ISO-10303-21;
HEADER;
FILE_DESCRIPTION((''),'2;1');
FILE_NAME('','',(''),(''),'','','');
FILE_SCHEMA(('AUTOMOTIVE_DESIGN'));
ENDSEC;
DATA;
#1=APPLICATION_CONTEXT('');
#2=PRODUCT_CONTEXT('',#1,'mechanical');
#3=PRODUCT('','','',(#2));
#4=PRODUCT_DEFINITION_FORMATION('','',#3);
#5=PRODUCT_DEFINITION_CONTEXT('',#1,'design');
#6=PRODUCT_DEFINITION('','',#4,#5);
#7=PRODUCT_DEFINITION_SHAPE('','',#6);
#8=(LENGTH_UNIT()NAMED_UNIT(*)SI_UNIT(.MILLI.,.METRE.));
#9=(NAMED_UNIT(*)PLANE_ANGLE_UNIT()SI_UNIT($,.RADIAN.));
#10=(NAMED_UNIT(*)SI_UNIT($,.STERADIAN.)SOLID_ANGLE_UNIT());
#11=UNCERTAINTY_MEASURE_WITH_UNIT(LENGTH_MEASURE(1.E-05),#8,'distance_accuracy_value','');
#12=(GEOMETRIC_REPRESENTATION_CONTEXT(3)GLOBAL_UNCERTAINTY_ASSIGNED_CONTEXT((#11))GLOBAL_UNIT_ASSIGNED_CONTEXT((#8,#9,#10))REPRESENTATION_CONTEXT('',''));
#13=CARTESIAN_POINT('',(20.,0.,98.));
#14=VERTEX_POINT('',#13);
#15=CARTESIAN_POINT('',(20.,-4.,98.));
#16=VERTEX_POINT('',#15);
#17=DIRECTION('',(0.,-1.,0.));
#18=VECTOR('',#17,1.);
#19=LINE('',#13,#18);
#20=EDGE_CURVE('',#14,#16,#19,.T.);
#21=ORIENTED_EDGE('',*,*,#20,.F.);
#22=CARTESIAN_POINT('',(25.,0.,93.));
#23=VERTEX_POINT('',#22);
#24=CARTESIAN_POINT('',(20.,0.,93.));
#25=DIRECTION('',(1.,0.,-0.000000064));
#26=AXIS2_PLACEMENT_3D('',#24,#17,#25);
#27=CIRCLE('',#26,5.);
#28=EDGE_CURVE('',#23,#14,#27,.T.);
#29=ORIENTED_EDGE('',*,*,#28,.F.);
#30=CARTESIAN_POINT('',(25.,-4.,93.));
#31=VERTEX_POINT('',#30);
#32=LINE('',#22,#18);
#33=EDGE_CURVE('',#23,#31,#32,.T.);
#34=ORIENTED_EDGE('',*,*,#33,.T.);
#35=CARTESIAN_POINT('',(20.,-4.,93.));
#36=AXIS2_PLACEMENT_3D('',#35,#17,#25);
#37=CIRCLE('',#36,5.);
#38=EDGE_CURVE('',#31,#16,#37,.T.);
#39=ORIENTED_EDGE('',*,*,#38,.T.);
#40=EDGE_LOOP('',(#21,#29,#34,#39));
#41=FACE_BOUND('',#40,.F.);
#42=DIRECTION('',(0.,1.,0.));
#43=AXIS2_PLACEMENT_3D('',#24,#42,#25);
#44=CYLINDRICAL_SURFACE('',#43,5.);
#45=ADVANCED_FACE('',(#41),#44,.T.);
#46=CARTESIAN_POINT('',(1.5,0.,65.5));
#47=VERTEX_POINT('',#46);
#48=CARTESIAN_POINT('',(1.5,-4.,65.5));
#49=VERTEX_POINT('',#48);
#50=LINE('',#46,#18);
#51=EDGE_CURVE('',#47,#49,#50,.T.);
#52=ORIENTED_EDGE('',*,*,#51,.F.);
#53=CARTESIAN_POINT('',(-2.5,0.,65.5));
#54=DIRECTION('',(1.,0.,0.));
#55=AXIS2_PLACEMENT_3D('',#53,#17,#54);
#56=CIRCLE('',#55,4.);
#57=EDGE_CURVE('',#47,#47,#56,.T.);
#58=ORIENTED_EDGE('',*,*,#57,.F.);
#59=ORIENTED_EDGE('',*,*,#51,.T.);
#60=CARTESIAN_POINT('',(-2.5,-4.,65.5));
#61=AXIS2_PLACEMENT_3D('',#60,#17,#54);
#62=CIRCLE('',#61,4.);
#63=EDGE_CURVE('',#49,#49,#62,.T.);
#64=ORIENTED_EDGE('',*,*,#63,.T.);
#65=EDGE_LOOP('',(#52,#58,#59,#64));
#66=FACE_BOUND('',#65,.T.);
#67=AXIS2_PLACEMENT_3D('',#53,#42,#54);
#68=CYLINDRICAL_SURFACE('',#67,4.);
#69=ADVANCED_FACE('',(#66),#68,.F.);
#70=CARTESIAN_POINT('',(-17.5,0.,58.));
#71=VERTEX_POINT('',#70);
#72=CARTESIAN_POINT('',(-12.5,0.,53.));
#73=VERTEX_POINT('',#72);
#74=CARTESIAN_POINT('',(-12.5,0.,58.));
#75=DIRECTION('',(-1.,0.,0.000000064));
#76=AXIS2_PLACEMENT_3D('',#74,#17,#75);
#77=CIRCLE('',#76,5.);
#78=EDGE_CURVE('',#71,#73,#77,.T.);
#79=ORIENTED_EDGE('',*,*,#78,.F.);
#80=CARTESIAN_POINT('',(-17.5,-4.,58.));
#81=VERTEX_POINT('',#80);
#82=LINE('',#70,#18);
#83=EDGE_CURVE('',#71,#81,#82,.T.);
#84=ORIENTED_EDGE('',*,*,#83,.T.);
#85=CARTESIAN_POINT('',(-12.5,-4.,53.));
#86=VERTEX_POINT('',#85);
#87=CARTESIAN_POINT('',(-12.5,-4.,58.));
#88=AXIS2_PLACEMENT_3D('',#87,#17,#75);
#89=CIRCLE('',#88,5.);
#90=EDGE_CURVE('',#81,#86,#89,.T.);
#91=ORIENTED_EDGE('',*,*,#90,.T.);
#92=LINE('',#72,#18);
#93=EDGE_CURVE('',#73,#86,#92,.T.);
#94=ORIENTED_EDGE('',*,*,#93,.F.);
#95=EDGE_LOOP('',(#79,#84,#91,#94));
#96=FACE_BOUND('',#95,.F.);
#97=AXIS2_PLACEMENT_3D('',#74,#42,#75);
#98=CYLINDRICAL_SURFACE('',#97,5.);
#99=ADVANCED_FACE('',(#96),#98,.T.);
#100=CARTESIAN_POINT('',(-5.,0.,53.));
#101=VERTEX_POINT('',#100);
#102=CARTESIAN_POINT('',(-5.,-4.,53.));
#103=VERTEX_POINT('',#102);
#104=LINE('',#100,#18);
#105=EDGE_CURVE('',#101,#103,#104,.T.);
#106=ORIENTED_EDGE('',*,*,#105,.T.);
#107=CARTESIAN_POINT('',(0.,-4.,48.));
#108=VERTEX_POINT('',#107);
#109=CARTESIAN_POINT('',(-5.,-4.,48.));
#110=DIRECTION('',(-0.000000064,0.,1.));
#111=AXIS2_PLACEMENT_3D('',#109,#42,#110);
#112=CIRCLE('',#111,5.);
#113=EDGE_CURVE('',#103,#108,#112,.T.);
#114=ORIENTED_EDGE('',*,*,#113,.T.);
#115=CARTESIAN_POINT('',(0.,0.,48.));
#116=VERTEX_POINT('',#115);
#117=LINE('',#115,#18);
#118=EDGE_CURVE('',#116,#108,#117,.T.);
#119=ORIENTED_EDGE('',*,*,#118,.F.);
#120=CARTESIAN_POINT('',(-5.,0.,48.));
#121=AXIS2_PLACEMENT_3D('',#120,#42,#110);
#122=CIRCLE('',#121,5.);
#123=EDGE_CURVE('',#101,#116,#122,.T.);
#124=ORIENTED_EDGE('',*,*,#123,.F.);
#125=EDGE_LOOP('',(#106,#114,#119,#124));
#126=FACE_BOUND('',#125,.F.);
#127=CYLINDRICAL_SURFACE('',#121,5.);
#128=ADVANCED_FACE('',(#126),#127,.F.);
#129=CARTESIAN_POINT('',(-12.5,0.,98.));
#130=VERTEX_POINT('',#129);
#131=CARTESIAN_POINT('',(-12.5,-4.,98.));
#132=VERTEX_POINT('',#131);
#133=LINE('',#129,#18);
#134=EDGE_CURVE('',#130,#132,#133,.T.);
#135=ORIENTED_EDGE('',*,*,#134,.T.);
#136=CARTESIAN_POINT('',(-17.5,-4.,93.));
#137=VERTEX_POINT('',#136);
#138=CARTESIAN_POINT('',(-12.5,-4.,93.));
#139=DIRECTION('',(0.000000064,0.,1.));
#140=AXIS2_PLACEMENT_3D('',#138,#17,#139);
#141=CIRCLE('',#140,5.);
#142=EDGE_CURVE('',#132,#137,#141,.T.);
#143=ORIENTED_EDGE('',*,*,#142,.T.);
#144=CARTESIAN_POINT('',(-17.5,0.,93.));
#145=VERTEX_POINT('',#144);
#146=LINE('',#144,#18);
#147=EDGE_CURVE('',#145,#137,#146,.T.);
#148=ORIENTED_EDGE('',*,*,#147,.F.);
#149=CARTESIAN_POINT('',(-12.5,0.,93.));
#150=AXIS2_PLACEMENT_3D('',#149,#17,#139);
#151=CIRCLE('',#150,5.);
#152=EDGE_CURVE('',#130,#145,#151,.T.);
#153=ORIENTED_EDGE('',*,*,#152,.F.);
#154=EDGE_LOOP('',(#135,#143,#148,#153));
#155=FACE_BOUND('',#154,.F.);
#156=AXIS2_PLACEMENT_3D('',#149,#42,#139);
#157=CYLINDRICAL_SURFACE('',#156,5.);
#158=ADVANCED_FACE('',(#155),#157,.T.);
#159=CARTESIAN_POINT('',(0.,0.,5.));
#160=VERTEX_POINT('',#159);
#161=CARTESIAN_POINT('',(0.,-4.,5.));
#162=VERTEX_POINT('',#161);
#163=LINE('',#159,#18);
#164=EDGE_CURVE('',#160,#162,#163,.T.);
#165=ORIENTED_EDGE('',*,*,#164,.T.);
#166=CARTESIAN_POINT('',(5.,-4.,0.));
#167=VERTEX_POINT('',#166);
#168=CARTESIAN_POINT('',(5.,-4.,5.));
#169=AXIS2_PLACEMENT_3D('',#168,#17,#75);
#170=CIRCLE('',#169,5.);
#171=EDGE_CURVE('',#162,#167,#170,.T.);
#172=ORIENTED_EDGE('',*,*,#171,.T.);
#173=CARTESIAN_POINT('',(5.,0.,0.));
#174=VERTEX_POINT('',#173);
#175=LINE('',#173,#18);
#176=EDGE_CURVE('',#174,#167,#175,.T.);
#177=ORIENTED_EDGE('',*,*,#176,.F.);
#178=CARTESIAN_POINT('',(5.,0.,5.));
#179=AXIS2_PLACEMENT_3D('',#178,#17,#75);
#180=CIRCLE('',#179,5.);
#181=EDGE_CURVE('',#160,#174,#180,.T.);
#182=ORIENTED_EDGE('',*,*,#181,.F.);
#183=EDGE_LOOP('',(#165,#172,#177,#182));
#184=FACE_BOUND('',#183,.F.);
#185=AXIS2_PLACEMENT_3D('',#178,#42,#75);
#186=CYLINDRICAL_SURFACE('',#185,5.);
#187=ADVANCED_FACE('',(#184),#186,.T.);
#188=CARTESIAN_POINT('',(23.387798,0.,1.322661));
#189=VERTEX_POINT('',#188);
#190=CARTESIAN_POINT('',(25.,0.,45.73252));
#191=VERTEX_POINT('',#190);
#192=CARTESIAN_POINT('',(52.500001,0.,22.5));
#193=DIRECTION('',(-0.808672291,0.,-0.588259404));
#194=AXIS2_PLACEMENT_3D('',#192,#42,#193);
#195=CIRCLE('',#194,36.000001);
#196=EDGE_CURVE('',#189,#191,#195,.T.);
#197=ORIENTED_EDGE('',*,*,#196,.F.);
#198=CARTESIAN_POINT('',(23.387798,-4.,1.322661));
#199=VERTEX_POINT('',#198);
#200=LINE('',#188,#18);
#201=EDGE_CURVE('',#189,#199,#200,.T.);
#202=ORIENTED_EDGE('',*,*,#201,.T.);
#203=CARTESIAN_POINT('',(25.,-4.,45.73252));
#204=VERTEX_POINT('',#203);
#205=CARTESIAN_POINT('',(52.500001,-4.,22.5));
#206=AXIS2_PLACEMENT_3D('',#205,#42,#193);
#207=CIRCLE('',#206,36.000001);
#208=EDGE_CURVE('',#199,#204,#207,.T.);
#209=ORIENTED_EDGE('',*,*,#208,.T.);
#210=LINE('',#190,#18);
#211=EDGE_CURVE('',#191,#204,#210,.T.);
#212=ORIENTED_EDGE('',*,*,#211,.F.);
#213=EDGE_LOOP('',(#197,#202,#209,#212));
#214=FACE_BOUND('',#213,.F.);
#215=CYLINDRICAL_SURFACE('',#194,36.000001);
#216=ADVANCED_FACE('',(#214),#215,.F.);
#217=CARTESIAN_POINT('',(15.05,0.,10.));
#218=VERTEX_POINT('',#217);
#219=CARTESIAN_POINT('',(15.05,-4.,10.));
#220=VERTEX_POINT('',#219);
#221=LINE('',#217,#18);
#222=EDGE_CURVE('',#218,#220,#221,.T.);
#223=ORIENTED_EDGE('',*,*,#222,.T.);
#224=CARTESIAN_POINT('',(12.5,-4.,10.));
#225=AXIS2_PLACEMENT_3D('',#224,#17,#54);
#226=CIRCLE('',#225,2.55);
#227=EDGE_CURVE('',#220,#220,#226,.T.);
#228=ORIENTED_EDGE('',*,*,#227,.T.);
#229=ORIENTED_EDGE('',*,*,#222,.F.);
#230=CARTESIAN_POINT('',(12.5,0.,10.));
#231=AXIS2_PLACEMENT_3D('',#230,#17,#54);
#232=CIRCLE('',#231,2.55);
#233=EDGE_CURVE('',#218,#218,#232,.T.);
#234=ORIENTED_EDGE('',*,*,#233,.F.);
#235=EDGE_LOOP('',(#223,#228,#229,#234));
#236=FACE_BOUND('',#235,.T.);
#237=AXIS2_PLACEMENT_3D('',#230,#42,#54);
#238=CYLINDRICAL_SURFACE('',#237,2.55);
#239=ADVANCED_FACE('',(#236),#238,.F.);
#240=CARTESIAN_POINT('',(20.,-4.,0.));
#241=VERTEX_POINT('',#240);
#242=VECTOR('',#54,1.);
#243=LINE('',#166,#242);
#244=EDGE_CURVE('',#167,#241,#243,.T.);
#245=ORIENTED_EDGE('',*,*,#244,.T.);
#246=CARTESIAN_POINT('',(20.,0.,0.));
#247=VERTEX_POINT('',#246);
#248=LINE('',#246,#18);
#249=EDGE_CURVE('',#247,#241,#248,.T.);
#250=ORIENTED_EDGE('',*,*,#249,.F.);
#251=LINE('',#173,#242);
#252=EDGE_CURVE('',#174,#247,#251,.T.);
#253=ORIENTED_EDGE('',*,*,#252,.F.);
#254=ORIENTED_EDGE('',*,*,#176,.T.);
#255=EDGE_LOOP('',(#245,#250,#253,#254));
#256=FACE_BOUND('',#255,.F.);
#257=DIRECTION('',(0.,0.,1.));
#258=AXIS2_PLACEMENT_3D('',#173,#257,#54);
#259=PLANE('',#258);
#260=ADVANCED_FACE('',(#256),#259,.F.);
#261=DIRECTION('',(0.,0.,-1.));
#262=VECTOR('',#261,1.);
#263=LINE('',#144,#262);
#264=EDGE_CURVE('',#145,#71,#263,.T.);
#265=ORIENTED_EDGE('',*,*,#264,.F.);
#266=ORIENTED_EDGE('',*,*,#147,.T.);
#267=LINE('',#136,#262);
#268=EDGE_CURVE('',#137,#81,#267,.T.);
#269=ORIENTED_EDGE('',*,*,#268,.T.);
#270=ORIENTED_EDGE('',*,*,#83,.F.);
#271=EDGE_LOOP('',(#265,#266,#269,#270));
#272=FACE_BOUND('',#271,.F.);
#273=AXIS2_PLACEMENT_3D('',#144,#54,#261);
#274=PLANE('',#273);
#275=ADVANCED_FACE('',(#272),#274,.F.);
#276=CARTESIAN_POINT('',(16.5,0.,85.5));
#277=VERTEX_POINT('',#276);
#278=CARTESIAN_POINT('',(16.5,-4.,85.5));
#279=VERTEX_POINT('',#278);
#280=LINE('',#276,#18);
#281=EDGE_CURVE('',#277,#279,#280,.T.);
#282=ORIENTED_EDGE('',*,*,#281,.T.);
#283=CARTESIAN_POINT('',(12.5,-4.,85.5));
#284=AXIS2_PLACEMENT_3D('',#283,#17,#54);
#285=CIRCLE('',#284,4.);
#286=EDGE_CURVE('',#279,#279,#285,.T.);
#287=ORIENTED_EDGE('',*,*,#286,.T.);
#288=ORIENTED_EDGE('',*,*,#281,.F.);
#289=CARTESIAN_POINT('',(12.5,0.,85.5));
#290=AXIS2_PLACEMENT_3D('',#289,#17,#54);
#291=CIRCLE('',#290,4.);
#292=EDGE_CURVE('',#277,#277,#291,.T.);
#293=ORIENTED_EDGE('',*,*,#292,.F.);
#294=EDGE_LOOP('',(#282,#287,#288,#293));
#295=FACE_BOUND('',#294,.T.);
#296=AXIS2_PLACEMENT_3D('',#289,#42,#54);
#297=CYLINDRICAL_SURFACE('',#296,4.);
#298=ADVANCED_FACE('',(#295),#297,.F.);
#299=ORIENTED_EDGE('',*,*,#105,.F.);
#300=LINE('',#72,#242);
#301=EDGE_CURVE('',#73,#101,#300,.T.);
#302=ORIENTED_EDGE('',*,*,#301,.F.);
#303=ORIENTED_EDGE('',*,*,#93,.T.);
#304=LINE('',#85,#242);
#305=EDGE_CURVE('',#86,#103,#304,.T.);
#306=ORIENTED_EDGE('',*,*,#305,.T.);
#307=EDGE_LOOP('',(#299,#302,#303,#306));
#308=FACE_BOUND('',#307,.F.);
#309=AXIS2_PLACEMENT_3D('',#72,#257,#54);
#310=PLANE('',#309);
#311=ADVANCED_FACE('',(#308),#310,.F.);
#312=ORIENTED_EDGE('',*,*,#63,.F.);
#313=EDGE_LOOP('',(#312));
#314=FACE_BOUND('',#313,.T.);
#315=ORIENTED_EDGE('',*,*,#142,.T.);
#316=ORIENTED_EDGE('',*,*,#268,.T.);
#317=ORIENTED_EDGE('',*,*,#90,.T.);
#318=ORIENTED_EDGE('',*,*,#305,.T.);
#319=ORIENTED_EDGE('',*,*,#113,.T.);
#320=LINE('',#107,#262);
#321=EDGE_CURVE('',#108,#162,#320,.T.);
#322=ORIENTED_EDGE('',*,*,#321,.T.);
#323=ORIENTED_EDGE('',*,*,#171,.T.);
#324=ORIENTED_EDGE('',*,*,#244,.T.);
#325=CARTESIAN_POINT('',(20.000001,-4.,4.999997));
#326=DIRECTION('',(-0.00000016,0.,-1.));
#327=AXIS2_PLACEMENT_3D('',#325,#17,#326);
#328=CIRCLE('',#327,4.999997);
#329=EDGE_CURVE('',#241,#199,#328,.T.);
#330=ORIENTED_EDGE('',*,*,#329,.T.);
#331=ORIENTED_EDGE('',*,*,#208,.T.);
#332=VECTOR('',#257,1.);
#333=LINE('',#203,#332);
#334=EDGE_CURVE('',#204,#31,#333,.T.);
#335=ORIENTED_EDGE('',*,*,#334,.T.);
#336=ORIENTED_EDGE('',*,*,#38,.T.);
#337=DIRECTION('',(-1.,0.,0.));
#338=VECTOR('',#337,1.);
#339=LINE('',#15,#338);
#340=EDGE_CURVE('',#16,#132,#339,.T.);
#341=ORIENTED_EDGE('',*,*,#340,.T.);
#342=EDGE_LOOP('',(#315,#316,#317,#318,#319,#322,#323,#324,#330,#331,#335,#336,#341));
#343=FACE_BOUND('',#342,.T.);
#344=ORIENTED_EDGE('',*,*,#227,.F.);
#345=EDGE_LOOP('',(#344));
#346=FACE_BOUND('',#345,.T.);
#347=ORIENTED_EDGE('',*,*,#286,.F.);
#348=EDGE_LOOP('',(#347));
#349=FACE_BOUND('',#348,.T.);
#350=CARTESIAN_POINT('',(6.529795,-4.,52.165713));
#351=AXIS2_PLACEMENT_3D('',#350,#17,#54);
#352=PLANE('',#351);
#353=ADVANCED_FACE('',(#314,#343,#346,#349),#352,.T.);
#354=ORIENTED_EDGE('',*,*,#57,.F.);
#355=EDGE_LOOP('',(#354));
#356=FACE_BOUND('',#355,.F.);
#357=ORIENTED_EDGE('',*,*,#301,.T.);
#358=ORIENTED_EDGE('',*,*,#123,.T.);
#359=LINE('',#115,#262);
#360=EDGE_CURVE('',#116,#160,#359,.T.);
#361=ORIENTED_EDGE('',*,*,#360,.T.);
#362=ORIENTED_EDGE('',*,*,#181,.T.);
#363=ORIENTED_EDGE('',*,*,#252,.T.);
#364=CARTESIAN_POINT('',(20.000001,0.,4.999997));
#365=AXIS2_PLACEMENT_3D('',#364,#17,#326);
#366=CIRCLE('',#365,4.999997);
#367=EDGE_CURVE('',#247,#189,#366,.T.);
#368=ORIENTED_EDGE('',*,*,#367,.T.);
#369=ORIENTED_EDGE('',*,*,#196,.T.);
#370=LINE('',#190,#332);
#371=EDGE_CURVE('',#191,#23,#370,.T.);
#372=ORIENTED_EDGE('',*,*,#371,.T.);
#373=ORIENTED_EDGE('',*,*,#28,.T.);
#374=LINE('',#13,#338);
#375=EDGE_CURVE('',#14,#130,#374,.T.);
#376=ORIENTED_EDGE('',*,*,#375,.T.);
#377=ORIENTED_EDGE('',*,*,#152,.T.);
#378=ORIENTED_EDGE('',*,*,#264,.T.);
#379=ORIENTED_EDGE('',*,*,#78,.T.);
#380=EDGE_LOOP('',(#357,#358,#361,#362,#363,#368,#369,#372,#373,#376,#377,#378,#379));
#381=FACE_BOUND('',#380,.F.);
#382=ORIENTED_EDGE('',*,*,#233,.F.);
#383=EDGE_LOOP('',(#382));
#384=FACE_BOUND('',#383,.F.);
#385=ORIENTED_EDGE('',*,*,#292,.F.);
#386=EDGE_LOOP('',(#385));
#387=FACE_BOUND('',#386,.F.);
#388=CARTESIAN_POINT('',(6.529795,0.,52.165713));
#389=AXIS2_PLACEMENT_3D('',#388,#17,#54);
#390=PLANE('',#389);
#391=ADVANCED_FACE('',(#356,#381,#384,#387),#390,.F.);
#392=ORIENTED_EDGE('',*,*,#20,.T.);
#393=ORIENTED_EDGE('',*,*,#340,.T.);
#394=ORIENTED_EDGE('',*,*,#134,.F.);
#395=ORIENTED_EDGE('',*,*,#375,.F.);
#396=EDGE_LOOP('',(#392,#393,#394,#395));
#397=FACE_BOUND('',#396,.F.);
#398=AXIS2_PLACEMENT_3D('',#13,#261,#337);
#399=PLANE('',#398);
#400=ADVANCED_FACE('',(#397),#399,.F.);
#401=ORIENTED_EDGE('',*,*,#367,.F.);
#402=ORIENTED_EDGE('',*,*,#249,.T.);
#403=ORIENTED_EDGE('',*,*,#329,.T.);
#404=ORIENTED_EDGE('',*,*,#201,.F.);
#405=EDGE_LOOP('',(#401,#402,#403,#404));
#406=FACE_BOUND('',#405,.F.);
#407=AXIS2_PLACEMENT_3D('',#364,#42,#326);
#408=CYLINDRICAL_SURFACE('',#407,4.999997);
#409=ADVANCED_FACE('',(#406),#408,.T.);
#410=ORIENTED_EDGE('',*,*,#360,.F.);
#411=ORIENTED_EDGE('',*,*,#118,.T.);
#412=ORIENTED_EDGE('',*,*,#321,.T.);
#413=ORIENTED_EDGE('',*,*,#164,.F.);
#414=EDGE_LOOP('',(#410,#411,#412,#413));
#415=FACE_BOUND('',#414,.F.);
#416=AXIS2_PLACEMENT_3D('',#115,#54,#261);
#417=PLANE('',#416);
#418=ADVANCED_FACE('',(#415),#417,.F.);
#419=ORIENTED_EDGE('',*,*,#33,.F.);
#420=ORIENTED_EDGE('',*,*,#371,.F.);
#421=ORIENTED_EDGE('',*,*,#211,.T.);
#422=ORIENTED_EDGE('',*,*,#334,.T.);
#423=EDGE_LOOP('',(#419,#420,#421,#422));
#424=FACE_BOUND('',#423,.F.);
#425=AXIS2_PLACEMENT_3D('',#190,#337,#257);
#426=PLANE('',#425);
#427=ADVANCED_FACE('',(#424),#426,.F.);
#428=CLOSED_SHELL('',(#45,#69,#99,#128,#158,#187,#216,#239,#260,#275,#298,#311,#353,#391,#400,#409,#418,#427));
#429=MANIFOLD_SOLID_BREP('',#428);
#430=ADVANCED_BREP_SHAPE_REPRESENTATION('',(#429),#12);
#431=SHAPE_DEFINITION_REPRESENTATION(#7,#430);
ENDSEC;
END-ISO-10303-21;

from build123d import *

# Parameters (mm, degrees)
F0_R     = 2.55
F0_R_2   = 4
F1_DEPTH = 4


with BuildPart() as f1:
    # F0 (on Front) → F1 (new body)
    with BuildSketch(Plane.XZ):
        with BuildLine():
            Line((0, 48), (0, 5))
            ThreePointArc((0, 5), (1.464466, 1.464466), (5, 0))
            Line((5, 0), (20, 0))
            ThreePointArc((20, 0), (21.81842, 0.342388), (23.387798, 1.322661))
            ThreePointArc((23.387798, 1.322661), (16.523699, 23.80604), (25, 45.73252))
            Line((25, 45.73252), (25, 93))
            ThreePointArc((25, 93), (23.535534, 96.535534), (20, 98))
            Line((20, 98), (-12.5, 98))
            ThreePointArc((-12.5, 98), (-16.035534, 96.535534), (-17.5, 93))
            Line((-17.5, 93), (-17.5, 58))
            ThreePointArc((-17.5, 58), (-16.035534, 54.464466), (-12.5, 53))
            Line((-12.5, 53), (-5, 53))
            ThreePointArc((-5, 53), (-1.464466, 51.535534), (0, 48))
        make_face()
        with Locations((12.5, 10)):
            Circle(F0_R, mode=Mode.SUBTRACT)
        with Locations((-2.5, 65.5)):
            Circle(F0_R_2, mode=Mode.SUBTRACT)
        with Locations((12.5, 85.5)):
            Circle(F0_R_2, mode=Mode.SUBTRACT)
    extrude(amount=F1_DEPTH)


solid = f1.part
